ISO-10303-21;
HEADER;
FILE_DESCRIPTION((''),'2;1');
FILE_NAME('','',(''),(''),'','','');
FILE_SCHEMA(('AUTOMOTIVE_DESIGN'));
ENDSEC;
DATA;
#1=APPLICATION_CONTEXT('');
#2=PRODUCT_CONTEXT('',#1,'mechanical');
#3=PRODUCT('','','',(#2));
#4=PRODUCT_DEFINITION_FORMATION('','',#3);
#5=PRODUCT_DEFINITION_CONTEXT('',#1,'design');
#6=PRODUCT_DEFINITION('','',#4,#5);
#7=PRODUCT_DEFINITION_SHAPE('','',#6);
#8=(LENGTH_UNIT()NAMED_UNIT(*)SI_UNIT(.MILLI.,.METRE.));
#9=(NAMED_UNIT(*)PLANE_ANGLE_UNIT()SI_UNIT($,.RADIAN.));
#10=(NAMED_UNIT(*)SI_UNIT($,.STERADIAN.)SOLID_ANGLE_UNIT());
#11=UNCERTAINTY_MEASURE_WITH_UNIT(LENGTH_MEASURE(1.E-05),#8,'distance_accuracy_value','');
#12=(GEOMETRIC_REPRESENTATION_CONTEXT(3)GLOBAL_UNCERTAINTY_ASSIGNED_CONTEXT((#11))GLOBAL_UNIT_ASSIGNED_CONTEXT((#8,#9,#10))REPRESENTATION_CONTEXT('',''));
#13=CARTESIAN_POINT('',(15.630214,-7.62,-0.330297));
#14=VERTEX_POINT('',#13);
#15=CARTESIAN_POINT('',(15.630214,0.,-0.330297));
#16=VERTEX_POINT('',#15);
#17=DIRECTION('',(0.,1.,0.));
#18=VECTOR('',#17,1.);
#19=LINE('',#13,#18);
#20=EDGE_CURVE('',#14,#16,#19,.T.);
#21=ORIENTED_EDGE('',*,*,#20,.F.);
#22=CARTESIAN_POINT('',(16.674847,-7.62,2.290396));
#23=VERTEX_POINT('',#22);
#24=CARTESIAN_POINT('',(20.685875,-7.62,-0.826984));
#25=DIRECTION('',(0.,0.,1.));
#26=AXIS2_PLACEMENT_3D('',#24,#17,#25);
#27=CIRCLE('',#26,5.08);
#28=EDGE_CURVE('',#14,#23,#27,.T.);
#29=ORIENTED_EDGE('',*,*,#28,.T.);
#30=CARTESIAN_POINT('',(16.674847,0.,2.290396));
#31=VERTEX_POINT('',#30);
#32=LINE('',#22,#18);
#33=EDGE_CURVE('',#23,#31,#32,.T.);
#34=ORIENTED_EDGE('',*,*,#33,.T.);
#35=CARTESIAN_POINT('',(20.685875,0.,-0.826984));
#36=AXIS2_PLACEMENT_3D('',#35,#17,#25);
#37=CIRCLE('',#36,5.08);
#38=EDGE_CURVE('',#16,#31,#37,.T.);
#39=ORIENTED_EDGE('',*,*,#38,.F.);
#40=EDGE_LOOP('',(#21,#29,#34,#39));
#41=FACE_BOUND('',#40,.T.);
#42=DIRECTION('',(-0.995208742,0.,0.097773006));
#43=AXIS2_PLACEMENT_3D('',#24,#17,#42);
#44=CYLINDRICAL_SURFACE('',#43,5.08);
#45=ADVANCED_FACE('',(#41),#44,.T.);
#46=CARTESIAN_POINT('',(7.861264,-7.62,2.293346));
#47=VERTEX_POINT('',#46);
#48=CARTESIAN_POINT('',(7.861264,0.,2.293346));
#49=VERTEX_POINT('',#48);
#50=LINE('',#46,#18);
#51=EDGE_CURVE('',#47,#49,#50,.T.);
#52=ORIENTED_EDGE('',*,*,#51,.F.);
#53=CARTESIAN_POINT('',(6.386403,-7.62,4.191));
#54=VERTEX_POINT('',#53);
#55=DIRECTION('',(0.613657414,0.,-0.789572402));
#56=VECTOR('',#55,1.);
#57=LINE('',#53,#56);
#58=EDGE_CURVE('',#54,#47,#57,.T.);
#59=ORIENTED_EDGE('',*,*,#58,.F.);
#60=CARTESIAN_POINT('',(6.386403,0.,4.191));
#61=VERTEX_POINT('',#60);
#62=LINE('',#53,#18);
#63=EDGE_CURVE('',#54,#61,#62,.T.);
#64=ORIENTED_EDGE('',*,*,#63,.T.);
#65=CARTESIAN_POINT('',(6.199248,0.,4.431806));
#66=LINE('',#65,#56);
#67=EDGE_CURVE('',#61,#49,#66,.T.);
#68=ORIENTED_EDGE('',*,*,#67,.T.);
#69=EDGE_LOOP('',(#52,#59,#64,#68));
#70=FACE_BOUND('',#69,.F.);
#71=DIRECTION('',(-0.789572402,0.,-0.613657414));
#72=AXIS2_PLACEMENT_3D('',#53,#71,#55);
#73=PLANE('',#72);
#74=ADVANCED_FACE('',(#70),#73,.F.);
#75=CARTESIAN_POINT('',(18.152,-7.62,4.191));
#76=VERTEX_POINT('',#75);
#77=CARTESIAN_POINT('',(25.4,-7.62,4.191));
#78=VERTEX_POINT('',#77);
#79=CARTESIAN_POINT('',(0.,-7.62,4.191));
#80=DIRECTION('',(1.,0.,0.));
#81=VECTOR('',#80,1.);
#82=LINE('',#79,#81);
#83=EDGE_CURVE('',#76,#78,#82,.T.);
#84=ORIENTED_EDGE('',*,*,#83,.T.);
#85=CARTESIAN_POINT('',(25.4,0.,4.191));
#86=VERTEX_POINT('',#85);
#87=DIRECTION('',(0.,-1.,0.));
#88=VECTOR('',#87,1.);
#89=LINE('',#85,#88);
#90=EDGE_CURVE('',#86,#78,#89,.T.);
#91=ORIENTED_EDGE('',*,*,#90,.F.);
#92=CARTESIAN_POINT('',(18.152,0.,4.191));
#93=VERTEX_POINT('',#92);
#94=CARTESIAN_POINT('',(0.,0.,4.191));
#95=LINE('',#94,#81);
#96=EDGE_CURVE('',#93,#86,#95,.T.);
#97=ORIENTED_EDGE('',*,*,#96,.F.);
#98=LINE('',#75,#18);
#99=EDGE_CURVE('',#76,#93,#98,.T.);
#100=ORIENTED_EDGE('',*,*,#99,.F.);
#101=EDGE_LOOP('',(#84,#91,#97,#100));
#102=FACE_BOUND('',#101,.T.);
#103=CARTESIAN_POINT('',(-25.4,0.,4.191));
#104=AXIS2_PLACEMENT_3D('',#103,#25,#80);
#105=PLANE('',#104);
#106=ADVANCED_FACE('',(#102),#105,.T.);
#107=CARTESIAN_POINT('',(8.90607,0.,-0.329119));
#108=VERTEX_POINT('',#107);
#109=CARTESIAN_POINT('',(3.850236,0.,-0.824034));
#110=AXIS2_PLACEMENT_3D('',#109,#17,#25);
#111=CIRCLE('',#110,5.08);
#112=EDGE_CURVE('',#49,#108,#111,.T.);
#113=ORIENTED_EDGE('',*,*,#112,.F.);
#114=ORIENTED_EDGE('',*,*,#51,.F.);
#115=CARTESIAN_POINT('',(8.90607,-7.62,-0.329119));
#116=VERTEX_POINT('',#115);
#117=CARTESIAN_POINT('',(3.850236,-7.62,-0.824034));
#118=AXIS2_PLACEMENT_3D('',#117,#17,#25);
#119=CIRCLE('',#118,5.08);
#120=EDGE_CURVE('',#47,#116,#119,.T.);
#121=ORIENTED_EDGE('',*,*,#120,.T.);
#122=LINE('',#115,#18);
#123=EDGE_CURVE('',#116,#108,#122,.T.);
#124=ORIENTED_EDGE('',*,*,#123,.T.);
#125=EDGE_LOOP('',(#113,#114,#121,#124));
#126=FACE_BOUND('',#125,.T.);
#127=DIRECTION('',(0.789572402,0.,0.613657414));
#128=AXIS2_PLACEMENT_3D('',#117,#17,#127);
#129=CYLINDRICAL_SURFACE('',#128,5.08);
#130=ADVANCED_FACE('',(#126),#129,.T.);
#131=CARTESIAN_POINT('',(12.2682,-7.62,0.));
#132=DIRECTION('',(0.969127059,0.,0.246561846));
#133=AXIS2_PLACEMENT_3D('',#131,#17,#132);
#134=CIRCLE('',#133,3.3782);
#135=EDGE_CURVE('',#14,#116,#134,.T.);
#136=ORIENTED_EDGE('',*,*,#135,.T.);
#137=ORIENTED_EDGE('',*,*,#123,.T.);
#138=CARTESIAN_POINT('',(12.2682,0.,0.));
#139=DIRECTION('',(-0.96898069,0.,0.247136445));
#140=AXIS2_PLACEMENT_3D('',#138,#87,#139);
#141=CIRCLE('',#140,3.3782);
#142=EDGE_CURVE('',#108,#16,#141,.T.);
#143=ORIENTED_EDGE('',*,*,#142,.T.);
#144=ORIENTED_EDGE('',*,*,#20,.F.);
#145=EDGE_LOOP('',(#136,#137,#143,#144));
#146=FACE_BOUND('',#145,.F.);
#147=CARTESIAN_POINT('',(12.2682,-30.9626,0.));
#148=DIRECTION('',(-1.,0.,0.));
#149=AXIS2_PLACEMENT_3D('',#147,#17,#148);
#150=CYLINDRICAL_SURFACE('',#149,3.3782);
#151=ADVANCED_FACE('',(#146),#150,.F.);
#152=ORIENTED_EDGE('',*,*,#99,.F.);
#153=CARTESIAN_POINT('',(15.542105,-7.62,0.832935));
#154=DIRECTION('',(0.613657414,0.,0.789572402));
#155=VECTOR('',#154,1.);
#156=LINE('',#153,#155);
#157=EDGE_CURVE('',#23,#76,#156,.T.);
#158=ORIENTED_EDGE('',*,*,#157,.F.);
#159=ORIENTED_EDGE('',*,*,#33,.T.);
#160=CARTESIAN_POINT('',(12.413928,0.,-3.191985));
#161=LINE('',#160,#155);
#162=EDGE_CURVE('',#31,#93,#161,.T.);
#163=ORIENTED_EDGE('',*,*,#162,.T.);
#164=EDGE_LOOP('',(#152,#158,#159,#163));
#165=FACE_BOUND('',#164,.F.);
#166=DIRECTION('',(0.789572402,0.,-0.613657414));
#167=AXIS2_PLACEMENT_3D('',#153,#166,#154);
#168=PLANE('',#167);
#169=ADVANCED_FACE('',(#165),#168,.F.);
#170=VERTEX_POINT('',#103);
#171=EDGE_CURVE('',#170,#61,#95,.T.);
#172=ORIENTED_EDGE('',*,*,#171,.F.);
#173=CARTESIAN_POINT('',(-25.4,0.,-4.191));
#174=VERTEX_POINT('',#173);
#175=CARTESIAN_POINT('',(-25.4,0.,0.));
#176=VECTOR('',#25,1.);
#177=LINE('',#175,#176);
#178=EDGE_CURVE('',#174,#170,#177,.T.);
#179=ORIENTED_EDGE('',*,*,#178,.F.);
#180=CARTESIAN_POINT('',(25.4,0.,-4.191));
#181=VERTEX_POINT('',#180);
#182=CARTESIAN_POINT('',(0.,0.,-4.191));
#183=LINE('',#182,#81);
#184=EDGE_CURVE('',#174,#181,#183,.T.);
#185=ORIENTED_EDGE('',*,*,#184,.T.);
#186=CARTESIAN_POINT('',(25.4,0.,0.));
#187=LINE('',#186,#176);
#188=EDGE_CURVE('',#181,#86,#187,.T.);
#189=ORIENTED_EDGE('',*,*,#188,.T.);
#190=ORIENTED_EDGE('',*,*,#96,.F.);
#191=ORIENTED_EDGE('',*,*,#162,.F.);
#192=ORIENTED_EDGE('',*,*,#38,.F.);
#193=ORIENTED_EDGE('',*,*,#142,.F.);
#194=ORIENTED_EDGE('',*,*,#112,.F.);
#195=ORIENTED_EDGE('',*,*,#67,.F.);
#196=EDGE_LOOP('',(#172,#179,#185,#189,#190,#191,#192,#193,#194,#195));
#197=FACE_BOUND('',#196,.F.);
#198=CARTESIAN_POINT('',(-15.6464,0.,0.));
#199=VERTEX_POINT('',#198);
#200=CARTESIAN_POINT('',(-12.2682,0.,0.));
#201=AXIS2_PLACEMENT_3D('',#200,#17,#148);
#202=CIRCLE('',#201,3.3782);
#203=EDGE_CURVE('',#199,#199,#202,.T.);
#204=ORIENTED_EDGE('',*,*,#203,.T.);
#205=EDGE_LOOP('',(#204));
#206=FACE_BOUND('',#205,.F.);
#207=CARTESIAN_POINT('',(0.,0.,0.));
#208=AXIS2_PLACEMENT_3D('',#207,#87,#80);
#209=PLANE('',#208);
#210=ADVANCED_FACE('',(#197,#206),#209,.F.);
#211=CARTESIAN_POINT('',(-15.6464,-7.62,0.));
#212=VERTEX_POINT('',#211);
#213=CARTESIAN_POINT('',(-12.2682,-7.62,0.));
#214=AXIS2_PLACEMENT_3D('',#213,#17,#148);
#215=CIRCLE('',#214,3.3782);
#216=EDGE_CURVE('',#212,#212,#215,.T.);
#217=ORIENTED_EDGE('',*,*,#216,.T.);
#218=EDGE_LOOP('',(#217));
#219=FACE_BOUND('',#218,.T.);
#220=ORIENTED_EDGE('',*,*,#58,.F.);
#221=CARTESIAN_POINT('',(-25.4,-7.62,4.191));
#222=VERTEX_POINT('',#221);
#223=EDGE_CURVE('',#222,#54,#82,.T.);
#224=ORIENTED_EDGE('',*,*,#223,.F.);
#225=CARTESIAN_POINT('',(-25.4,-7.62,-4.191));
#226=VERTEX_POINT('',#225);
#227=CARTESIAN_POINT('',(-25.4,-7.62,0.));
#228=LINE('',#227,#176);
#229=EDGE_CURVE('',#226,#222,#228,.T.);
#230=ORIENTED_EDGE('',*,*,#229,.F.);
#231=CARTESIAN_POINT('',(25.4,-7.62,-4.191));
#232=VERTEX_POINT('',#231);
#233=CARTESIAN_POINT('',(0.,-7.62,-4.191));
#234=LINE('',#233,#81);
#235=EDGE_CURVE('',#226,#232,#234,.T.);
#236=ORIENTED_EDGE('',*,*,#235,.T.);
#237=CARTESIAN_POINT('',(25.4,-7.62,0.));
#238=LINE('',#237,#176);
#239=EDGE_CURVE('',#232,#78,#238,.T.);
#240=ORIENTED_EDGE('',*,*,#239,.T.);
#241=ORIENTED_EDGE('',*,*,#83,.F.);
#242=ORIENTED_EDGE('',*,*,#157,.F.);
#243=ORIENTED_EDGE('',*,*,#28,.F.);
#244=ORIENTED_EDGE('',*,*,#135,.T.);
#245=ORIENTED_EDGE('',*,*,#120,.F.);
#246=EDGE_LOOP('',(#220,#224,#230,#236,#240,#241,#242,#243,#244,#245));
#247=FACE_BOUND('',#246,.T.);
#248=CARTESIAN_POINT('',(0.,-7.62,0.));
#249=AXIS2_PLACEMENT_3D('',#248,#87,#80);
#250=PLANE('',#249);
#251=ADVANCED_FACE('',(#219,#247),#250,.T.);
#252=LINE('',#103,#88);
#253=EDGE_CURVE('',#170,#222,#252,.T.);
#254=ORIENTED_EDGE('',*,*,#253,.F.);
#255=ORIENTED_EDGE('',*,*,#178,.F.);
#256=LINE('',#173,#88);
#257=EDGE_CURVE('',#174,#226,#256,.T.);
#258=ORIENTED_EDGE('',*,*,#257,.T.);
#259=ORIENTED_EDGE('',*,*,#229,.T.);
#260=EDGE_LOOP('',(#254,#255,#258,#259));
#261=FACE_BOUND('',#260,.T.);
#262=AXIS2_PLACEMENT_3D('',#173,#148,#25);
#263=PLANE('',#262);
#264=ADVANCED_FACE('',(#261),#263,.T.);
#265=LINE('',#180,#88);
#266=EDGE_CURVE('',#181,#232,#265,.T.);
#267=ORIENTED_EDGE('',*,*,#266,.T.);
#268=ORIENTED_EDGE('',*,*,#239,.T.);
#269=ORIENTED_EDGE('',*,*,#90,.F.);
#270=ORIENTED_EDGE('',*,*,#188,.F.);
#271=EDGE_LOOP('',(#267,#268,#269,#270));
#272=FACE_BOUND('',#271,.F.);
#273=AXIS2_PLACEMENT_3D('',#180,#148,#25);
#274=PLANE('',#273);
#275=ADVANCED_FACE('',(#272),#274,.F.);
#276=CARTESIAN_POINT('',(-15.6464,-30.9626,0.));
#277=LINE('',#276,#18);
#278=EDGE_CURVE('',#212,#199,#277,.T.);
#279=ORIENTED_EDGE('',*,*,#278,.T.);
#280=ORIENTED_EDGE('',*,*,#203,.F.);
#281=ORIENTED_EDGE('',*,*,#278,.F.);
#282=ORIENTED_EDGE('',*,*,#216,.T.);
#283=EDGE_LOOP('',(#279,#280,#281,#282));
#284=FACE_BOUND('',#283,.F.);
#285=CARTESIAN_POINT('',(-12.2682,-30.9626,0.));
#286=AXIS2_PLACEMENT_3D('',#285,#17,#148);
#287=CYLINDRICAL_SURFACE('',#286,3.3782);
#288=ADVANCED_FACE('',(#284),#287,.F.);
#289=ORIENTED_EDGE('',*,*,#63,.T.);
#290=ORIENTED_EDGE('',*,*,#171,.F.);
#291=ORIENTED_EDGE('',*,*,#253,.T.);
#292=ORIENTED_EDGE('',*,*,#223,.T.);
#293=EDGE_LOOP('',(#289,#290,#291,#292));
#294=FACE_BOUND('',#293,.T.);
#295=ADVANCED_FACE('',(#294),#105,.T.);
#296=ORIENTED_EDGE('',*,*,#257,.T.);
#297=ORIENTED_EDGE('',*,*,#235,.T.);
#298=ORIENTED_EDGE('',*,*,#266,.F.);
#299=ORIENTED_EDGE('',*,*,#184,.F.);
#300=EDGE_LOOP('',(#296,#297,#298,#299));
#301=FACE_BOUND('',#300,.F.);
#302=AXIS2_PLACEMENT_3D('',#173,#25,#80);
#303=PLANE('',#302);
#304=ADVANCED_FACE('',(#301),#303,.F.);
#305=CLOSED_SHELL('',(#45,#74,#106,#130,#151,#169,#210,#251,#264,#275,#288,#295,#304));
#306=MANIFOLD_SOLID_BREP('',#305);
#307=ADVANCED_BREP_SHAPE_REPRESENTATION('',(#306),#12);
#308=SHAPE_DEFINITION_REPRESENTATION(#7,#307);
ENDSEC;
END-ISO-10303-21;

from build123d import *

# Parameters (mm, degrees)
F0_W     = 50.8
F0_H     = 8.382
F1_DEPTH = 7.62
F3_D     = 6.7564
F3_DEPTH = 23.3426
F3_TIP   = 2.0298273432
F5_DEPTH = 25.4
F6_R     = 5.08


with BuildPart() as f1:
    # F0 (on Front) → F1 (new body)
    with BuildSketch(Plane.XZ):
        Rectangle(F0_W, F0_H)
    extrude(amount=F1_DEPTH)

    # F3
    with Locations(Plane.XZ.offset(7.62)):
        with Locations((-12.2682, 0), (12.2682, 0)):
            Hole(F3_D / 2, depth=F3_DEPTH)
            with Locations((0, 0, -(F3_DEPTH + F3_TIP / 2))):  # 118° drill point
                Cone(0, F3_D / 2, F3_TIP, mode=Mode.SUBTRACT)

    # F4 (on face) → F5 (cut)
    with BuildSketch(Plane.XZ.offset(7.62)):
        with BuildLine():
            Line((6.3864027151, 4.191), (8.9947894332, 0.8348763389))
            ThreePointArc((8.9947894332, 0.8348763389), (12.2692015488, 3.3781998515), (15.5421050298, 0.8329352293))
            Line((15.5421050298, 0.8329352293), (18.1520003825, 4.191))
            Line((18.1520003825, 4.191), (6.3864027151, 4.191))
        make_face()
    extrude(amount=-F5_DEPTH, mode=Mode.SUBTRACT)

    # F6
    f6_edges = [f1.edges().sort_by_distance(p)[0] for p in [
        (8.994789, -3.81, 0.834876),
        (15.542105, -3.81, 0.832935),
    ]]
    fillet(f6_edges, radius=F6_R)


solid = f1.part
